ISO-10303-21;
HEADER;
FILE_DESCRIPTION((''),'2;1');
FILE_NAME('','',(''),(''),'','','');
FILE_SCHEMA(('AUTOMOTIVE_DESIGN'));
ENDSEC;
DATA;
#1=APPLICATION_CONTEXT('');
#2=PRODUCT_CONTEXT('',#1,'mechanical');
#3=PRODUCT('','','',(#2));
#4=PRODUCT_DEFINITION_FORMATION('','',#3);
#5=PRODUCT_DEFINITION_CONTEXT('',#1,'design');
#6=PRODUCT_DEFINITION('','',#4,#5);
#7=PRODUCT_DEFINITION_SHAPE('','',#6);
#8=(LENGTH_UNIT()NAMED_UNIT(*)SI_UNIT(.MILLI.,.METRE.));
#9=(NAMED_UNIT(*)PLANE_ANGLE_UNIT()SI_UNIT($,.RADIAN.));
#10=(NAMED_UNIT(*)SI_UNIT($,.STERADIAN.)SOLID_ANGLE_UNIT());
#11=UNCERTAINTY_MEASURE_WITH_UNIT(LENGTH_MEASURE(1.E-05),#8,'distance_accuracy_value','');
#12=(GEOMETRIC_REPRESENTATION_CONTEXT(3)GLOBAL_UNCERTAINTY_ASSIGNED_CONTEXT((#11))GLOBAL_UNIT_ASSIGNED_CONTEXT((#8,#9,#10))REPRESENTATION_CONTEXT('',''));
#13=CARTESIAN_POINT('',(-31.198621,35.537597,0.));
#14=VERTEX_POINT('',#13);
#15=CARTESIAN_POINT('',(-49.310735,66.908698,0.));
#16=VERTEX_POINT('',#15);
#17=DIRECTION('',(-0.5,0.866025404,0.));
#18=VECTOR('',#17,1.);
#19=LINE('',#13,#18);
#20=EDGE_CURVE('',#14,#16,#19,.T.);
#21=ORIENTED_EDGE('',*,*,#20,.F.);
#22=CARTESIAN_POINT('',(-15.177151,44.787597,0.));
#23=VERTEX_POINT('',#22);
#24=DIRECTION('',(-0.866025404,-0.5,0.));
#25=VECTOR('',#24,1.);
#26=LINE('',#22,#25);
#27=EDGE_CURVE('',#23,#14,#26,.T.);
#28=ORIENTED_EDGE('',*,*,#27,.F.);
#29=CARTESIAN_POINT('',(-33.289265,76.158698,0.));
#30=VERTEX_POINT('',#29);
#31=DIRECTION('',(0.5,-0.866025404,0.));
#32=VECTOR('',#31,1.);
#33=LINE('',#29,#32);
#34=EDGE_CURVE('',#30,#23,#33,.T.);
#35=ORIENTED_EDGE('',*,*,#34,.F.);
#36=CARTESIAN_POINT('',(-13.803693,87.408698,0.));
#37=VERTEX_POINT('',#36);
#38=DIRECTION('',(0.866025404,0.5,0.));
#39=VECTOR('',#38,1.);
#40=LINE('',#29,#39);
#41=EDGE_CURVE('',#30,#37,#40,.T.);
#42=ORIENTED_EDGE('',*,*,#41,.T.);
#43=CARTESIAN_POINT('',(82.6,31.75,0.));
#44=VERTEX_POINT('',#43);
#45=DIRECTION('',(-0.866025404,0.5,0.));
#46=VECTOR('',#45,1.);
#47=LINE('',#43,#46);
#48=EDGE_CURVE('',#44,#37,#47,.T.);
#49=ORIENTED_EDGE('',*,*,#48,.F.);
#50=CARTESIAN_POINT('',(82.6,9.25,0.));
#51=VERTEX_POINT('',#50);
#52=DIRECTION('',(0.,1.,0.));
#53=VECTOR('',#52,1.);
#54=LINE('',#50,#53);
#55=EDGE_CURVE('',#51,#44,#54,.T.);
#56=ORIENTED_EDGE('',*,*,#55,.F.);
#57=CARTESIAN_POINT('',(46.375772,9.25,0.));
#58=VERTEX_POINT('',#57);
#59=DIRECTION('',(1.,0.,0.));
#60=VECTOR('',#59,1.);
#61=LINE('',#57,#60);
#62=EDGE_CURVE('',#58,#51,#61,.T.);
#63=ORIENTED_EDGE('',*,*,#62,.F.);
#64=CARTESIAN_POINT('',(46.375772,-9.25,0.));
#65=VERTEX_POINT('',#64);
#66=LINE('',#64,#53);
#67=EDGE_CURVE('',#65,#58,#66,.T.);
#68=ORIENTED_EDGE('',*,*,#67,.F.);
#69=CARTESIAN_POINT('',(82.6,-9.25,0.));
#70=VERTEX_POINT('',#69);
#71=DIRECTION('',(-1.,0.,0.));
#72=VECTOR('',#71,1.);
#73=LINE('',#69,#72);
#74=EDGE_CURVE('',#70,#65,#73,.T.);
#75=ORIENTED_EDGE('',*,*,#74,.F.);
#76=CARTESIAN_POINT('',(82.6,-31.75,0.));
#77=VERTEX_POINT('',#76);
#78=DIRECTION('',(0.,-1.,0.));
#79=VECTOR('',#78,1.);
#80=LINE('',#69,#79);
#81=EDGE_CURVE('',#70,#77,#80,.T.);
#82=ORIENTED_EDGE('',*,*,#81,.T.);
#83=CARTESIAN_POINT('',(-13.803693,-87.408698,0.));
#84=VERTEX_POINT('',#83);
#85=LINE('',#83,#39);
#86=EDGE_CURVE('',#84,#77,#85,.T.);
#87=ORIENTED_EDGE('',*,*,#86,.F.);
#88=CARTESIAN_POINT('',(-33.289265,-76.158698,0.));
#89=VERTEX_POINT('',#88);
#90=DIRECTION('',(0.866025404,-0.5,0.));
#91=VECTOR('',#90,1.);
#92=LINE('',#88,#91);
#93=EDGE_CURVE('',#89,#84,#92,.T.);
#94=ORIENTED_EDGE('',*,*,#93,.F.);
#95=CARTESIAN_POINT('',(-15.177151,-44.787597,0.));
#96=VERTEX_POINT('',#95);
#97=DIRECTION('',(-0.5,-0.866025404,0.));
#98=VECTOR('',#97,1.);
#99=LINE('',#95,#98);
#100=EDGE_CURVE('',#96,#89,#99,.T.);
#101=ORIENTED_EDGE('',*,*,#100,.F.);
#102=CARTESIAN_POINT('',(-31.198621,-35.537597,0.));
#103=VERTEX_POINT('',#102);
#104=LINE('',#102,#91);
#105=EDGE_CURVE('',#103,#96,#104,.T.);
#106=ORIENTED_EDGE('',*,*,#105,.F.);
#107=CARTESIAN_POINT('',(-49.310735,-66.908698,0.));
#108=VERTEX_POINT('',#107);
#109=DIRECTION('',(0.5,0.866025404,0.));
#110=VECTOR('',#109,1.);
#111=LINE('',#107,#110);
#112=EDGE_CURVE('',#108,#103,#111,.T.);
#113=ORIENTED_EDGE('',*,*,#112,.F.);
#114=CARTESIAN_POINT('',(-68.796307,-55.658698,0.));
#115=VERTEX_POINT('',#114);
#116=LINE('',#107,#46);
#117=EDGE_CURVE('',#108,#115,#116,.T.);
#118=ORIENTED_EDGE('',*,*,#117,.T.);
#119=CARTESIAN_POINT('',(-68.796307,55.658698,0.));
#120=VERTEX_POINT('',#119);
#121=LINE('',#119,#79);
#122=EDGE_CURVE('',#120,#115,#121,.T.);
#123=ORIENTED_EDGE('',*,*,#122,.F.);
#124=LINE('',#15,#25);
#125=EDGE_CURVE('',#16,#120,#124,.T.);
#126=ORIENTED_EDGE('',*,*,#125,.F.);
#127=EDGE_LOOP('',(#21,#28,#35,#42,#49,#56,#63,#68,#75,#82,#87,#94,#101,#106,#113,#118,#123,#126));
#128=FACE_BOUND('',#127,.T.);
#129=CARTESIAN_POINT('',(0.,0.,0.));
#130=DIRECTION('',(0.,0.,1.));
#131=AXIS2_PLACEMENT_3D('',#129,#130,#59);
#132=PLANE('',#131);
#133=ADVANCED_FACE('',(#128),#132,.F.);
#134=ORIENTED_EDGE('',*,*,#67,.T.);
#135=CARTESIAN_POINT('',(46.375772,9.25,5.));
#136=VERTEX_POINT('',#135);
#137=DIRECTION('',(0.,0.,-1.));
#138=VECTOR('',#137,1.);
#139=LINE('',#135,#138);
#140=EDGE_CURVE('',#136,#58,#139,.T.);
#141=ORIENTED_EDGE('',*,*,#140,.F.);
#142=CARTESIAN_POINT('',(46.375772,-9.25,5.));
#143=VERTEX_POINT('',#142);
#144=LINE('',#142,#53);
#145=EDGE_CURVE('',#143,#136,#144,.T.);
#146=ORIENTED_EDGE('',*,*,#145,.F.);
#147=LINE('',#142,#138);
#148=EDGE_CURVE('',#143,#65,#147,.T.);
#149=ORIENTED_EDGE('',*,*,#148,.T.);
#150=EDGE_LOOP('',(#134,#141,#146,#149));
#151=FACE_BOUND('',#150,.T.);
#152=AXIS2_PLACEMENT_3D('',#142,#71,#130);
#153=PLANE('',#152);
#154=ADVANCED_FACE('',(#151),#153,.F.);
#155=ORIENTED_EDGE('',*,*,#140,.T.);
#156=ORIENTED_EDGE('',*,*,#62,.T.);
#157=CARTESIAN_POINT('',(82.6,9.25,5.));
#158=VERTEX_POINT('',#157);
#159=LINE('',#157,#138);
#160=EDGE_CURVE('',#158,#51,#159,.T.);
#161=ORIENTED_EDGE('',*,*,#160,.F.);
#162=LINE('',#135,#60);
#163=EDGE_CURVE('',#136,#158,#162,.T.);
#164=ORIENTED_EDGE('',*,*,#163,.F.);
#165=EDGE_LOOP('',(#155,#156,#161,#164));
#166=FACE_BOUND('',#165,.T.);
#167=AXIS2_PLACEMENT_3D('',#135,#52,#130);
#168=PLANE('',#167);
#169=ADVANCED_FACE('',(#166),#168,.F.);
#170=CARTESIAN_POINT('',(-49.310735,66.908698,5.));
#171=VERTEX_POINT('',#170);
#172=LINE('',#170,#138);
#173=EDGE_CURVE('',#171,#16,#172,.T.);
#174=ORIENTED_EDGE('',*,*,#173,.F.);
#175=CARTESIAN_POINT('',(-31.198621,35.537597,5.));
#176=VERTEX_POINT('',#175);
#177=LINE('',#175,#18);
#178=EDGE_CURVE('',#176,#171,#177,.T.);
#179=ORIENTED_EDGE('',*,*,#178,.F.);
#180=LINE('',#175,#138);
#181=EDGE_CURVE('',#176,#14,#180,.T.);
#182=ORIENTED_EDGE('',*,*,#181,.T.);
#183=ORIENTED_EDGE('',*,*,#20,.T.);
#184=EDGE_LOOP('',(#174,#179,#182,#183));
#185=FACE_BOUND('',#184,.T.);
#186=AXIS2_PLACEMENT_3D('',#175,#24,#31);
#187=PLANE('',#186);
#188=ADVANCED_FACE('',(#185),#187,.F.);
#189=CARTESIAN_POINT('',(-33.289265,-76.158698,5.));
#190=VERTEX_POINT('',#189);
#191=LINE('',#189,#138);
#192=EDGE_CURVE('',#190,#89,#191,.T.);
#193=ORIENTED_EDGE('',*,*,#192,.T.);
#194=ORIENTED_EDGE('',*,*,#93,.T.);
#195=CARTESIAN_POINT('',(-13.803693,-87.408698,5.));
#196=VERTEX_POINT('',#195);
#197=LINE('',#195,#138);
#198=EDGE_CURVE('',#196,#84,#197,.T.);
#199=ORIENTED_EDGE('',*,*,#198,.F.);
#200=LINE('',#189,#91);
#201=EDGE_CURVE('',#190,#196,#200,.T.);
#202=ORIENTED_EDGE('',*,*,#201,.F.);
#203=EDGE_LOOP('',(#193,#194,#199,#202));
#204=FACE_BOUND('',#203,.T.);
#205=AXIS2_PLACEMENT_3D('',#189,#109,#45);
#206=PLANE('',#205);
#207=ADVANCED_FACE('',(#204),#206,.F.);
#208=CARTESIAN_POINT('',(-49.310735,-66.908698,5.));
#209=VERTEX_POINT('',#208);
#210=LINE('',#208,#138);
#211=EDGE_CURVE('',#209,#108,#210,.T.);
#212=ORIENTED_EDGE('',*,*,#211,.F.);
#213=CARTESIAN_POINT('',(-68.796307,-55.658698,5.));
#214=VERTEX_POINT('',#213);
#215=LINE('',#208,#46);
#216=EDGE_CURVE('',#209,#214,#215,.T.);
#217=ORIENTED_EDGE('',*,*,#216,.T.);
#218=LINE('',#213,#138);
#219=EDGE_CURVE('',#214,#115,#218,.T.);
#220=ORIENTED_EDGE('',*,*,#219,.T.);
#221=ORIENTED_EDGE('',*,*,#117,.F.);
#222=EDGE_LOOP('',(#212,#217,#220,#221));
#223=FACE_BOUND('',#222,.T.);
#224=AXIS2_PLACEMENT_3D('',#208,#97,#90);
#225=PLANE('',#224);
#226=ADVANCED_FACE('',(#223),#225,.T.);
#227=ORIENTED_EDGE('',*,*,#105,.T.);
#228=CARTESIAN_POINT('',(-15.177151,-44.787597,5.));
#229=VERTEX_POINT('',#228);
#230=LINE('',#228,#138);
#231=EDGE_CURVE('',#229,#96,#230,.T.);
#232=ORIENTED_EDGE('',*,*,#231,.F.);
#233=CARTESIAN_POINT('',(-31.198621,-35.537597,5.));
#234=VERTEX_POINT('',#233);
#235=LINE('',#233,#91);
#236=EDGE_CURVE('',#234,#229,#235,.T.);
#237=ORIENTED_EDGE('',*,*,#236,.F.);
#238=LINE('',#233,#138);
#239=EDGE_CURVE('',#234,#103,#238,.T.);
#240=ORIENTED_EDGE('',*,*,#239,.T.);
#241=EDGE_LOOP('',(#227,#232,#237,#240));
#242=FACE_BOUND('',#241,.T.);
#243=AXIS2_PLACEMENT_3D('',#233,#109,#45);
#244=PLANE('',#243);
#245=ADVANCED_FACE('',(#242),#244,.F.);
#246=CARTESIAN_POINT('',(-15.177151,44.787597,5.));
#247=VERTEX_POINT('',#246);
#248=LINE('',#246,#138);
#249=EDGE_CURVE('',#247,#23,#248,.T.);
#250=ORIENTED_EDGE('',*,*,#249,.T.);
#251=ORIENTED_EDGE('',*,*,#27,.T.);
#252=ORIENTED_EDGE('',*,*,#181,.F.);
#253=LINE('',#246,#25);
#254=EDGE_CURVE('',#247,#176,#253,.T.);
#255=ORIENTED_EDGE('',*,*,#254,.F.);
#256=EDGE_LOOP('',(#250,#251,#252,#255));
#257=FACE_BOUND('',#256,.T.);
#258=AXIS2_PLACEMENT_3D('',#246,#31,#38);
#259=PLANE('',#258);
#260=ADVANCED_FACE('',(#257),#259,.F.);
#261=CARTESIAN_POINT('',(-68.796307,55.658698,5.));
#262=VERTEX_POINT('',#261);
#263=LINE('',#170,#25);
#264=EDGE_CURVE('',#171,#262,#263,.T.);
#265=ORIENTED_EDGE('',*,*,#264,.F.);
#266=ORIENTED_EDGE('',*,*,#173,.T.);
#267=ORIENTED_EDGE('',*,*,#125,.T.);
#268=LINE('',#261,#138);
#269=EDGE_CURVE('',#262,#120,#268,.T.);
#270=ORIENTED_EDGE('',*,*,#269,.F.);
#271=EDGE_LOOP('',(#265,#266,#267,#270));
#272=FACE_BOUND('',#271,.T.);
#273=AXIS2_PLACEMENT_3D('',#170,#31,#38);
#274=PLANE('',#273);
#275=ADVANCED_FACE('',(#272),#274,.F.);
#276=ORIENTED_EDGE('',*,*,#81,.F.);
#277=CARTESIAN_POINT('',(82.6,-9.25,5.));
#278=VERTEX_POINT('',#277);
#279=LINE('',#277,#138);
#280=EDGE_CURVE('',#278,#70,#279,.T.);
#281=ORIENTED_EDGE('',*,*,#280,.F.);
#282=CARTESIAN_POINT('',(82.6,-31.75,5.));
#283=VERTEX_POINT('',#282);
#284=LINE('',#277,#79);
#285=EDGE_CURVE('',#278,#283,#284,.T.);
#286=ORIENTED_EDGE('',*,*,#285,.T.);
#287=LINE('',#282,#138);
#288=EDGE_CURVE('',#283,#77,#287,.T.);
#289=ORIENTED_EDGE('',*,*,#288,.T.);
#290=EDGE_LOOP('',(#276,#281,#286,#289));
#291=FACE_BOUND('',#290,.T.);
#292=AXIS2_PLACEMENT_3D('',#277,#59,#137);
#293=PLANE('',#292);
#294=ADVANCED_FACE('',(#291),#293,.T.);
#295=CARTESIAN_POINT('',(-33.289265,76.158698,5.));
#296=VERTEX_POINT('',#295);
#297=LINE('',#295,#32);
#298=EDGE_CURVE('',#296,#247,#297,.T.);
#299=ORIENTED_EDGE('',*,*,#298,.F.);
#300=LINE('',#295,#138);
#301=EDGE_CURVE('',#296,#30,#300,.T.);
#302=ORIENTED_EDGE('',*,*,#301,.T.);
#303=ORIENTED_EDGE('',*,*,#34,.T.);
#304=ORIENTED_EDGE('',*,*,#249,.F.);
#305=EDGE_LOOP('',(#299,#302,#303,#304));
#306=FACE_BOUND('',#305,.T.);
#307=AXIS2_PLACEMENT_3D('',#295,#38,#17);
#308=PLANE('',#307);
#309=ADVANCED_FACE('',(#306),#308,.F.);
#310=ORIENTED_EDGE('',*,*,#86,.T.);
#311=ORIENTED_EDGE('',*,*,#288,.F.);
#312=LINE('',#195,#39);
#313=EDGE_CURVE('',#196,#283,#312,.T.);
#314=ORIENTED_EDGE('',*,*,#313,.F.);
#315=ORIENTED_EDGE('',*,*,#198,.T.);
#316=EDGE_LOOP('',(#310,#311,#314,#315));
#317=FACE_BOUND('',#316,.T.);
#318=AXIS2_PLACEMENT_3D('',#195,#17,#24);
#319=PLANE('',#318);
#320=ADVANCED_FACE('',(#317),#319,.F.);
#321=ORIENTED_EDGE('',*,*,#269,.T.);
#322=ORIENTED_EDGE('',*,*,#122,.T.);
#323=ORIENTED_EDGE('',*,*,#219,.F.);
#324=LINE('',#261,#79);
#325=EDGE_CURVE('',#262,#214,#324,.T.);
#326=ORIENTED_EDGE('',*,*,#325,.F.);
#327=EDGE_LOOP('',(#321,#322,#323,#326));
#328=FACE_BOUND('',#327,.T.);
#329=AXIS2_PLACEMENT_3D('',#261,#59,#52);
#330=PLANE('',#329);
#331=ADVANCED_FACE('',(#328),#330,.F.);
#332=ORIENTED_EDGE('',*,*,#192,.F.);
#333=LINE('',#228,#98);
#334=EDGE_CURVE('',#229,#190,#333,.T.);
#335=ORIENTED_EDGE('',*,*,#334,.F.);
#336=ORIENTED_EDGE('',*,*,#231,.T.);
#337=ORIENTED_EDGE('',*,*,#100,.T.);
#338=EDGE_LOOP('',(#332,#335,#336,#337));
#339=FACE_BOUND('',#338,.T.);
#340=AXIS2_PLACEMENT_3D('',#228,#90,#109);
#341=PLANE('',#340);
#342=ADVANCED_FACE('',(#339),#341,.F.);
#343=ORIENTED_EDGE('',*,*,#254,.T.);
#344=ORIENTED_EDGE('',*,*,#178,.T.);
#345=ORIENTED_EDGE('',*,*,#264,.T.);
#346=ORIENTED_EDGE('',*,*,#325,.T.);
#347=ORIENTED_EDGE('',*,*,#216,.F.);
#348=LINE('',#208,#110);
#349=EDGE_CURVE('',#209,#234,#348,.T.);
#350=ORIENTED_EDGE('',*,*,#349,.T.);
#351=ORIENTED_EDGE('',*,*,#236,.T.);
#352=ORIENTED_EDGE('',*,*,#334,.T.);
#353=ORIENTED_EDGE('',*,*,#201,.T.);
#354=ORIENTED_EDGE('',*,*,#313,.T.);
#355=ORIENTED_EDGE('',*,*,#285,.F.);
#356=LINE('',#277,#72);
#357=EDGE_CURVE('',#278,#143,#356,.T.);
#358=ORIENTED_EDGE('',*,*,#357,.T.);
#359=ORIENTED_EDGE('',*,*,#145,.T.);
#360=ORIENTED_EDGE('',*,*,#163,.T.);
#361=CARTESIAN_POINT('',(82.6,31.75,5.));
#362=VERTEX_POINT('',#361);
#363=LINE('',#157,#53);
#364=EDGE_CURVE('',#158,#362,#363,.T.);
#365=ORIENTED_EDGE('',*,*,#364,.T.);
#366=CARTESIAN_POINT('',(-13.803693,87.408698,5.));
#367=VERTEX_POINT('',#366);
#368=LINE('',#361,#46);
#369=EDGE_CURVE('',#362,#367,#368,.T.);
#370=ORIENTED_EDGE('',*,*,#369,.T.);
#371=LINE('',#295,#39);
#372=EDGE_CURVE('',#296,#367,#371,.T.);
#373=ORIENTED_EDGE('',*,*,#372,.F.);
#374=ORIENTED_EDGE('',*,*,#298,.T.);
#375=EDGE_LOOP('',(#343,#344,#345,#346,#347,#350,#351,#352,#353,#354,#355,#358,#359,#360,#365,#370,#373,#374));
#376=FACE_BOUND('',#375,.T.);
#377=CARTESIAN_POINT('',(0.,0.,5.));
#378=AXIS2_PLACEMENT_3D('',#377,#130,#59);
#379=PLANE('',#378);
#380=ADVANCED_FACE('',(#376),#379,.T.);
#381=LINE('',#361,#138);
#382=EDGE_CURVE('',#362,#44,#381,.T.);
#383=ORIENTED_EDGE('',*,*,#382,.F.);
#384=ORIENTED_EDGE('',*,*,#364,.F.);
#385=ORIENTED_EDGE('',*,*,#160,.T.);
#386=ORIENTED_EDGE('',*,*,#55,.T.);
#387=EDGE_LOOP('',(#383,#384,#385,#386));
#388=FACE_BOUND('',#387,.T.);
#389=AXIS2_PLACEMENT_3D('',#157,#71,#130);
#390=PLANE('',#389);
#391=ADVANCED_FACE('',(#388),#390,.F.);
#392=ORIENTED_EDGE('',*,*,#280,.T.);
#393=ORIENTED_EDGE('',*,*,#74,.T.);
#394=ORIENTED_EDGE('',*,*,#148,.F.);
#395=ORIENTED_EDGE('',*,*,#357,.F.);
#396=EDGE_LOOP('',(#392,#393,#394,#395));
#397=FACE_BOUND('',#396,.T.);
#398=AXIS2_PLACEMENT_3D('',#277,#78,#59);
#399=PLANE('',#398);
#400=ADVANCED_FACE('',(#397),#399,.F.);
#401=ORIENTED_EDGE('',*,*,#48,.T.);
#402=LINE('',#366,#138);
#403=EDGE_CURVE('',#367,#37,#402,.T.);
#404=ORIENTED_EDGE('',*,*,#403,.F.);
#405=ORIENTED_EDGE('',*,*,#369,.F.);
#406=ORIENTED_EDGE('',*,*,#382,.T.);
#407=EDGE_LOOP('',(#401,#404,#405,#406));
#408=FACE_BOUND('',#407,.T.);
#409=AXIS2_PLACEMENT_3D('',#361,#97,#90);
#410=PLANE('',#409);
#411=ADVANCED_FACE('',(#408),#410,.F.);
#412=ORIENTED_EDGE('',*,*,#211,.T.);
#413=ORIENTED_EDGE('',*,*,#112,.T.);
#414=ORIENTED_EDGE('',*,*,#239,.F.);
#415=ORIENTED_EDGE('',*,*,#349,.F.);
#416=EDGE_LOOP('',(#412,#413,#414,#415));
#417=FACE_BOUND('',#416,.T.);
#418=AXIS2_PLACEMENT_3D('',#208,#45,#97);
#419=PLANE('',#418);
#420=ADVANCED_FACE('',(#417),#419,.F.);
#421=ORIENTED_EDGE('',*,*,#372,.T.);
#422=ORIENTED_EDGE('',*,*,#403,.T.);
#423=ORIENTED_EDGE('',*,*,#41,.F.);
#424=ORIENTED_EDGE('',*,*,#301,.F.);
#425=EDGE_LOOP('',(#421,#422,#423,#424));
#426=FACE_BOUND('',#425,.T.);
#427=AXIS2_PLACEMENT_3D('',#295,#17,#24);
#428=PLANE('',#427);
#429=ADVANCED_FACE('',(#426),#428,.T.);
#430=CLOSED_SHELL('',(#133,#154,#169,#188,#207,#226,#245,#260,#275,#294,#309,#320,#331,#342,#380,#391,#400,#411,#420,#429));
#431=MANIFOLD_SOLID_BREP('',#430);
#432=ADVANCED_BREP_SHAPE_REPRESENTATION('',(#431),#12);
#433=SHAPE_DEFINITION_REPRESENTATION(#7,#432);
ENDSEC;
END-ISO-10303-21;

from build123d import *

# Parameters (mm, degrees)
SALIENTE_EXTRUIR1_DEPTH = 5


with BuildPart() as part:
    # Croquis1 → Saliente-Extruir1 (new body)
    with BuildSketch(Plane.XY):
        Polygon((82.6, -9.25), (46.375772068, -9.25), (46.375772068, 9.25), (82.6, 9.25), (82.6, 31.75), (-13.80369343, 87.408698353), (-33.289265015, 76.158698353), (-15.177151049, 44.787596731), (-31.198621019, 35.537596731), (-49.310734985, 66.908698353), (-68.79630657, 55.658698353), (-68.79630657, -55.658698353), (-49.310734985, -66.908698353), (-31.198621019, -35.537596731), (-15.177151049, -44.787596731), (-33.289265015, -76.158698353), (-13.80369343, -87.408698353), (82.6, -31.75), align=None)
    extrude(amount=SALIENTE_EXTRUIR1_DEPTH)


solid = part.part
